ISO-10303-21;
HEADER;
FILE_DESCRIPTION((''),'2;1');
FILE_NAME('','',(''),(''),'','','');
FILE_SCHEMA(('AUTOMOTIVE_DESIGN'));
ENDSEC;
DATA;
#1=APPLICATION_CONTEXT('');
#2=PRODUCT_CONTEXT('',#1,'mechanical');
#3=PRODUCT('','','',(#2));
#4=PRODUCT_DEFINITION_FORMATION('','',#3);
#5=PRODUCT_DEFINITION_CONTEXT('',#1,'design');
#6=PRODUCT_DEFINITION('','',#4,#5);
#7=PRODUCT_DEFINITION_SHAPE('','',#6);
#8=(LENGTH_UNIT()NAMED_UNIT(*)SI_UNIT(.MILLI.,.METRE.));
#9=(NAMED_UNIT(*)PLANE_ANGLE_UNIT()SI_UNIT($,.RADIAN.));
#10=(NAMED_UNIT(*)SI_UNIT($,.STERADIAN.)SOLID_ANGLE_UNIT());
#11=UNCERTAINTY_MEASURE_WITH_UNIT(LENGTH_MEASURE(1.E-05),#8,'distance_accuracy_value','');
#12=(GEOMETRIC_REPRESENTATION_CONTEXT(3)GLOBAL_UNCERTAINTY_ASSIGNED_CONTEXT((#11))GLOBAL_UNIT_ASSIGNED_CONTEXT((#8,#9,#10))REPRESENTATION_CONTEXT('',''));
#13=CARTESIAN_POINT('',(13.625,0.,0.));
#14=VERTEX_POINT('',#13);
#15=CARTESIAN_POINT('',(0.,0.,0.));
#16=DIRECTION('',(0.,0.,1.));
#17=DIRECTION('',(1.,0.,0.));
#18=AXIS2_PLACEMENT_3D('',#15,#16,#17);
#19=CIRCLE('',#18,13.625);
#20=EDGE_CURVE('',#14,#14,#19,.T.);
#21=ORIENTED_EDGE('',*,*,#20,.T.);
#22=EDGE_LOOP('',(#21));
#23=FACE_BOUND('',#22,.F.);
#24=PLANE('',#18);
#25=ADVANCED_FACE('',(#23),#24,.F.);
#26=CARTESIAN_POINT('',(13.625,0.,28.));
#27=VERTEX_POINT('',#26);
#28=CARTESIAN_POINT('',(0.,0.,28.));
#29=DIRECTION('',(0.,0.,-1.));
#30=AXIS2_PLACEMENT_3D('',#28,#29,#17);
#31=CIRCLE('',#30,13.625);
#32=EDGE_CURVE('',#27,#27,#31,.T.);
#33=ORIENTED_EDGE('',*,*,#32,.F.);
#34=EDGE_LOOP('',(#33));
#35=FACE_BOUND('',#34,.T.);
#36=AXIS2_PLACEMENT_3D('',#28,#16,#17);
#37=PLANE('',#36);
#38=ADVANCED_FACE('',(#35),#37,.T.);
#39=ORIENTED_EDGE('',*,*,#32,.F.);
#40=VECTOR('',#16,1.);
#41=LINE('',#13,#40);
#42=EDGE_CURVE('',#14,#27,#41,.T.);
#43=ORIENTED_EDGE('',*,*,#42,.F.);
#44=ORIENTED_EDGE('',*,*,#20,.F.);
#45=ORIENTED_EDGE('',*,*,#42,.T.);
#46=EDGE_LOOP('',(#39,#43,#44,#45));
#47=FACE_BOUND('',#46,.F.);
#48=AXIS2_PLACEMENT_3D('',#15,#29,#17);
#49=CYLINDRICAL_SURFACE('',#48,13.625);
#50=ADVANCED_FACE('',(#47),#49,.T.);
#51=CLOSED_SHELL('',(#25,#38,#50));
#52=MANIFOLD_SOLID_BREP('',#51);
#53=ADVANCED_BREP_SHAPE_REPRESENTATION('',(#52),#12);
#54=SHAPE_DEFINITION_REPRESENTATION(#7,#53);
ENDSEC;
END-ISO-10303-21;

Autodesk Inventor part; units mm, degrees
ref_plane "YZ Plane" through (0, 0, 0) normal (1, 0, 0) x (0, 1, 0)
ref_plane "XZ Plane" through (0, 0, 0) normal (0, 1, 0) x (-1, 0, 0)
ref_plane "XY Plane" through (0, 0, 0) normal (0, 0, 1) x (1, 0, 0)
sketch "Sketch1" plane through (0, 0, 0) normal (0, 0, 1) x (1, 0, 0)
  line L0 (0, 19.075) -> (0, -19.075) projected
  line L1 (-19.075, 0) -> (19.075, 0) projected
  circle A0 centre (0, 0) radius 13.625
  dimension "d0" = 27.25
extrude "Extrusion1" add sketch "Sketch1" along normal blind 28
